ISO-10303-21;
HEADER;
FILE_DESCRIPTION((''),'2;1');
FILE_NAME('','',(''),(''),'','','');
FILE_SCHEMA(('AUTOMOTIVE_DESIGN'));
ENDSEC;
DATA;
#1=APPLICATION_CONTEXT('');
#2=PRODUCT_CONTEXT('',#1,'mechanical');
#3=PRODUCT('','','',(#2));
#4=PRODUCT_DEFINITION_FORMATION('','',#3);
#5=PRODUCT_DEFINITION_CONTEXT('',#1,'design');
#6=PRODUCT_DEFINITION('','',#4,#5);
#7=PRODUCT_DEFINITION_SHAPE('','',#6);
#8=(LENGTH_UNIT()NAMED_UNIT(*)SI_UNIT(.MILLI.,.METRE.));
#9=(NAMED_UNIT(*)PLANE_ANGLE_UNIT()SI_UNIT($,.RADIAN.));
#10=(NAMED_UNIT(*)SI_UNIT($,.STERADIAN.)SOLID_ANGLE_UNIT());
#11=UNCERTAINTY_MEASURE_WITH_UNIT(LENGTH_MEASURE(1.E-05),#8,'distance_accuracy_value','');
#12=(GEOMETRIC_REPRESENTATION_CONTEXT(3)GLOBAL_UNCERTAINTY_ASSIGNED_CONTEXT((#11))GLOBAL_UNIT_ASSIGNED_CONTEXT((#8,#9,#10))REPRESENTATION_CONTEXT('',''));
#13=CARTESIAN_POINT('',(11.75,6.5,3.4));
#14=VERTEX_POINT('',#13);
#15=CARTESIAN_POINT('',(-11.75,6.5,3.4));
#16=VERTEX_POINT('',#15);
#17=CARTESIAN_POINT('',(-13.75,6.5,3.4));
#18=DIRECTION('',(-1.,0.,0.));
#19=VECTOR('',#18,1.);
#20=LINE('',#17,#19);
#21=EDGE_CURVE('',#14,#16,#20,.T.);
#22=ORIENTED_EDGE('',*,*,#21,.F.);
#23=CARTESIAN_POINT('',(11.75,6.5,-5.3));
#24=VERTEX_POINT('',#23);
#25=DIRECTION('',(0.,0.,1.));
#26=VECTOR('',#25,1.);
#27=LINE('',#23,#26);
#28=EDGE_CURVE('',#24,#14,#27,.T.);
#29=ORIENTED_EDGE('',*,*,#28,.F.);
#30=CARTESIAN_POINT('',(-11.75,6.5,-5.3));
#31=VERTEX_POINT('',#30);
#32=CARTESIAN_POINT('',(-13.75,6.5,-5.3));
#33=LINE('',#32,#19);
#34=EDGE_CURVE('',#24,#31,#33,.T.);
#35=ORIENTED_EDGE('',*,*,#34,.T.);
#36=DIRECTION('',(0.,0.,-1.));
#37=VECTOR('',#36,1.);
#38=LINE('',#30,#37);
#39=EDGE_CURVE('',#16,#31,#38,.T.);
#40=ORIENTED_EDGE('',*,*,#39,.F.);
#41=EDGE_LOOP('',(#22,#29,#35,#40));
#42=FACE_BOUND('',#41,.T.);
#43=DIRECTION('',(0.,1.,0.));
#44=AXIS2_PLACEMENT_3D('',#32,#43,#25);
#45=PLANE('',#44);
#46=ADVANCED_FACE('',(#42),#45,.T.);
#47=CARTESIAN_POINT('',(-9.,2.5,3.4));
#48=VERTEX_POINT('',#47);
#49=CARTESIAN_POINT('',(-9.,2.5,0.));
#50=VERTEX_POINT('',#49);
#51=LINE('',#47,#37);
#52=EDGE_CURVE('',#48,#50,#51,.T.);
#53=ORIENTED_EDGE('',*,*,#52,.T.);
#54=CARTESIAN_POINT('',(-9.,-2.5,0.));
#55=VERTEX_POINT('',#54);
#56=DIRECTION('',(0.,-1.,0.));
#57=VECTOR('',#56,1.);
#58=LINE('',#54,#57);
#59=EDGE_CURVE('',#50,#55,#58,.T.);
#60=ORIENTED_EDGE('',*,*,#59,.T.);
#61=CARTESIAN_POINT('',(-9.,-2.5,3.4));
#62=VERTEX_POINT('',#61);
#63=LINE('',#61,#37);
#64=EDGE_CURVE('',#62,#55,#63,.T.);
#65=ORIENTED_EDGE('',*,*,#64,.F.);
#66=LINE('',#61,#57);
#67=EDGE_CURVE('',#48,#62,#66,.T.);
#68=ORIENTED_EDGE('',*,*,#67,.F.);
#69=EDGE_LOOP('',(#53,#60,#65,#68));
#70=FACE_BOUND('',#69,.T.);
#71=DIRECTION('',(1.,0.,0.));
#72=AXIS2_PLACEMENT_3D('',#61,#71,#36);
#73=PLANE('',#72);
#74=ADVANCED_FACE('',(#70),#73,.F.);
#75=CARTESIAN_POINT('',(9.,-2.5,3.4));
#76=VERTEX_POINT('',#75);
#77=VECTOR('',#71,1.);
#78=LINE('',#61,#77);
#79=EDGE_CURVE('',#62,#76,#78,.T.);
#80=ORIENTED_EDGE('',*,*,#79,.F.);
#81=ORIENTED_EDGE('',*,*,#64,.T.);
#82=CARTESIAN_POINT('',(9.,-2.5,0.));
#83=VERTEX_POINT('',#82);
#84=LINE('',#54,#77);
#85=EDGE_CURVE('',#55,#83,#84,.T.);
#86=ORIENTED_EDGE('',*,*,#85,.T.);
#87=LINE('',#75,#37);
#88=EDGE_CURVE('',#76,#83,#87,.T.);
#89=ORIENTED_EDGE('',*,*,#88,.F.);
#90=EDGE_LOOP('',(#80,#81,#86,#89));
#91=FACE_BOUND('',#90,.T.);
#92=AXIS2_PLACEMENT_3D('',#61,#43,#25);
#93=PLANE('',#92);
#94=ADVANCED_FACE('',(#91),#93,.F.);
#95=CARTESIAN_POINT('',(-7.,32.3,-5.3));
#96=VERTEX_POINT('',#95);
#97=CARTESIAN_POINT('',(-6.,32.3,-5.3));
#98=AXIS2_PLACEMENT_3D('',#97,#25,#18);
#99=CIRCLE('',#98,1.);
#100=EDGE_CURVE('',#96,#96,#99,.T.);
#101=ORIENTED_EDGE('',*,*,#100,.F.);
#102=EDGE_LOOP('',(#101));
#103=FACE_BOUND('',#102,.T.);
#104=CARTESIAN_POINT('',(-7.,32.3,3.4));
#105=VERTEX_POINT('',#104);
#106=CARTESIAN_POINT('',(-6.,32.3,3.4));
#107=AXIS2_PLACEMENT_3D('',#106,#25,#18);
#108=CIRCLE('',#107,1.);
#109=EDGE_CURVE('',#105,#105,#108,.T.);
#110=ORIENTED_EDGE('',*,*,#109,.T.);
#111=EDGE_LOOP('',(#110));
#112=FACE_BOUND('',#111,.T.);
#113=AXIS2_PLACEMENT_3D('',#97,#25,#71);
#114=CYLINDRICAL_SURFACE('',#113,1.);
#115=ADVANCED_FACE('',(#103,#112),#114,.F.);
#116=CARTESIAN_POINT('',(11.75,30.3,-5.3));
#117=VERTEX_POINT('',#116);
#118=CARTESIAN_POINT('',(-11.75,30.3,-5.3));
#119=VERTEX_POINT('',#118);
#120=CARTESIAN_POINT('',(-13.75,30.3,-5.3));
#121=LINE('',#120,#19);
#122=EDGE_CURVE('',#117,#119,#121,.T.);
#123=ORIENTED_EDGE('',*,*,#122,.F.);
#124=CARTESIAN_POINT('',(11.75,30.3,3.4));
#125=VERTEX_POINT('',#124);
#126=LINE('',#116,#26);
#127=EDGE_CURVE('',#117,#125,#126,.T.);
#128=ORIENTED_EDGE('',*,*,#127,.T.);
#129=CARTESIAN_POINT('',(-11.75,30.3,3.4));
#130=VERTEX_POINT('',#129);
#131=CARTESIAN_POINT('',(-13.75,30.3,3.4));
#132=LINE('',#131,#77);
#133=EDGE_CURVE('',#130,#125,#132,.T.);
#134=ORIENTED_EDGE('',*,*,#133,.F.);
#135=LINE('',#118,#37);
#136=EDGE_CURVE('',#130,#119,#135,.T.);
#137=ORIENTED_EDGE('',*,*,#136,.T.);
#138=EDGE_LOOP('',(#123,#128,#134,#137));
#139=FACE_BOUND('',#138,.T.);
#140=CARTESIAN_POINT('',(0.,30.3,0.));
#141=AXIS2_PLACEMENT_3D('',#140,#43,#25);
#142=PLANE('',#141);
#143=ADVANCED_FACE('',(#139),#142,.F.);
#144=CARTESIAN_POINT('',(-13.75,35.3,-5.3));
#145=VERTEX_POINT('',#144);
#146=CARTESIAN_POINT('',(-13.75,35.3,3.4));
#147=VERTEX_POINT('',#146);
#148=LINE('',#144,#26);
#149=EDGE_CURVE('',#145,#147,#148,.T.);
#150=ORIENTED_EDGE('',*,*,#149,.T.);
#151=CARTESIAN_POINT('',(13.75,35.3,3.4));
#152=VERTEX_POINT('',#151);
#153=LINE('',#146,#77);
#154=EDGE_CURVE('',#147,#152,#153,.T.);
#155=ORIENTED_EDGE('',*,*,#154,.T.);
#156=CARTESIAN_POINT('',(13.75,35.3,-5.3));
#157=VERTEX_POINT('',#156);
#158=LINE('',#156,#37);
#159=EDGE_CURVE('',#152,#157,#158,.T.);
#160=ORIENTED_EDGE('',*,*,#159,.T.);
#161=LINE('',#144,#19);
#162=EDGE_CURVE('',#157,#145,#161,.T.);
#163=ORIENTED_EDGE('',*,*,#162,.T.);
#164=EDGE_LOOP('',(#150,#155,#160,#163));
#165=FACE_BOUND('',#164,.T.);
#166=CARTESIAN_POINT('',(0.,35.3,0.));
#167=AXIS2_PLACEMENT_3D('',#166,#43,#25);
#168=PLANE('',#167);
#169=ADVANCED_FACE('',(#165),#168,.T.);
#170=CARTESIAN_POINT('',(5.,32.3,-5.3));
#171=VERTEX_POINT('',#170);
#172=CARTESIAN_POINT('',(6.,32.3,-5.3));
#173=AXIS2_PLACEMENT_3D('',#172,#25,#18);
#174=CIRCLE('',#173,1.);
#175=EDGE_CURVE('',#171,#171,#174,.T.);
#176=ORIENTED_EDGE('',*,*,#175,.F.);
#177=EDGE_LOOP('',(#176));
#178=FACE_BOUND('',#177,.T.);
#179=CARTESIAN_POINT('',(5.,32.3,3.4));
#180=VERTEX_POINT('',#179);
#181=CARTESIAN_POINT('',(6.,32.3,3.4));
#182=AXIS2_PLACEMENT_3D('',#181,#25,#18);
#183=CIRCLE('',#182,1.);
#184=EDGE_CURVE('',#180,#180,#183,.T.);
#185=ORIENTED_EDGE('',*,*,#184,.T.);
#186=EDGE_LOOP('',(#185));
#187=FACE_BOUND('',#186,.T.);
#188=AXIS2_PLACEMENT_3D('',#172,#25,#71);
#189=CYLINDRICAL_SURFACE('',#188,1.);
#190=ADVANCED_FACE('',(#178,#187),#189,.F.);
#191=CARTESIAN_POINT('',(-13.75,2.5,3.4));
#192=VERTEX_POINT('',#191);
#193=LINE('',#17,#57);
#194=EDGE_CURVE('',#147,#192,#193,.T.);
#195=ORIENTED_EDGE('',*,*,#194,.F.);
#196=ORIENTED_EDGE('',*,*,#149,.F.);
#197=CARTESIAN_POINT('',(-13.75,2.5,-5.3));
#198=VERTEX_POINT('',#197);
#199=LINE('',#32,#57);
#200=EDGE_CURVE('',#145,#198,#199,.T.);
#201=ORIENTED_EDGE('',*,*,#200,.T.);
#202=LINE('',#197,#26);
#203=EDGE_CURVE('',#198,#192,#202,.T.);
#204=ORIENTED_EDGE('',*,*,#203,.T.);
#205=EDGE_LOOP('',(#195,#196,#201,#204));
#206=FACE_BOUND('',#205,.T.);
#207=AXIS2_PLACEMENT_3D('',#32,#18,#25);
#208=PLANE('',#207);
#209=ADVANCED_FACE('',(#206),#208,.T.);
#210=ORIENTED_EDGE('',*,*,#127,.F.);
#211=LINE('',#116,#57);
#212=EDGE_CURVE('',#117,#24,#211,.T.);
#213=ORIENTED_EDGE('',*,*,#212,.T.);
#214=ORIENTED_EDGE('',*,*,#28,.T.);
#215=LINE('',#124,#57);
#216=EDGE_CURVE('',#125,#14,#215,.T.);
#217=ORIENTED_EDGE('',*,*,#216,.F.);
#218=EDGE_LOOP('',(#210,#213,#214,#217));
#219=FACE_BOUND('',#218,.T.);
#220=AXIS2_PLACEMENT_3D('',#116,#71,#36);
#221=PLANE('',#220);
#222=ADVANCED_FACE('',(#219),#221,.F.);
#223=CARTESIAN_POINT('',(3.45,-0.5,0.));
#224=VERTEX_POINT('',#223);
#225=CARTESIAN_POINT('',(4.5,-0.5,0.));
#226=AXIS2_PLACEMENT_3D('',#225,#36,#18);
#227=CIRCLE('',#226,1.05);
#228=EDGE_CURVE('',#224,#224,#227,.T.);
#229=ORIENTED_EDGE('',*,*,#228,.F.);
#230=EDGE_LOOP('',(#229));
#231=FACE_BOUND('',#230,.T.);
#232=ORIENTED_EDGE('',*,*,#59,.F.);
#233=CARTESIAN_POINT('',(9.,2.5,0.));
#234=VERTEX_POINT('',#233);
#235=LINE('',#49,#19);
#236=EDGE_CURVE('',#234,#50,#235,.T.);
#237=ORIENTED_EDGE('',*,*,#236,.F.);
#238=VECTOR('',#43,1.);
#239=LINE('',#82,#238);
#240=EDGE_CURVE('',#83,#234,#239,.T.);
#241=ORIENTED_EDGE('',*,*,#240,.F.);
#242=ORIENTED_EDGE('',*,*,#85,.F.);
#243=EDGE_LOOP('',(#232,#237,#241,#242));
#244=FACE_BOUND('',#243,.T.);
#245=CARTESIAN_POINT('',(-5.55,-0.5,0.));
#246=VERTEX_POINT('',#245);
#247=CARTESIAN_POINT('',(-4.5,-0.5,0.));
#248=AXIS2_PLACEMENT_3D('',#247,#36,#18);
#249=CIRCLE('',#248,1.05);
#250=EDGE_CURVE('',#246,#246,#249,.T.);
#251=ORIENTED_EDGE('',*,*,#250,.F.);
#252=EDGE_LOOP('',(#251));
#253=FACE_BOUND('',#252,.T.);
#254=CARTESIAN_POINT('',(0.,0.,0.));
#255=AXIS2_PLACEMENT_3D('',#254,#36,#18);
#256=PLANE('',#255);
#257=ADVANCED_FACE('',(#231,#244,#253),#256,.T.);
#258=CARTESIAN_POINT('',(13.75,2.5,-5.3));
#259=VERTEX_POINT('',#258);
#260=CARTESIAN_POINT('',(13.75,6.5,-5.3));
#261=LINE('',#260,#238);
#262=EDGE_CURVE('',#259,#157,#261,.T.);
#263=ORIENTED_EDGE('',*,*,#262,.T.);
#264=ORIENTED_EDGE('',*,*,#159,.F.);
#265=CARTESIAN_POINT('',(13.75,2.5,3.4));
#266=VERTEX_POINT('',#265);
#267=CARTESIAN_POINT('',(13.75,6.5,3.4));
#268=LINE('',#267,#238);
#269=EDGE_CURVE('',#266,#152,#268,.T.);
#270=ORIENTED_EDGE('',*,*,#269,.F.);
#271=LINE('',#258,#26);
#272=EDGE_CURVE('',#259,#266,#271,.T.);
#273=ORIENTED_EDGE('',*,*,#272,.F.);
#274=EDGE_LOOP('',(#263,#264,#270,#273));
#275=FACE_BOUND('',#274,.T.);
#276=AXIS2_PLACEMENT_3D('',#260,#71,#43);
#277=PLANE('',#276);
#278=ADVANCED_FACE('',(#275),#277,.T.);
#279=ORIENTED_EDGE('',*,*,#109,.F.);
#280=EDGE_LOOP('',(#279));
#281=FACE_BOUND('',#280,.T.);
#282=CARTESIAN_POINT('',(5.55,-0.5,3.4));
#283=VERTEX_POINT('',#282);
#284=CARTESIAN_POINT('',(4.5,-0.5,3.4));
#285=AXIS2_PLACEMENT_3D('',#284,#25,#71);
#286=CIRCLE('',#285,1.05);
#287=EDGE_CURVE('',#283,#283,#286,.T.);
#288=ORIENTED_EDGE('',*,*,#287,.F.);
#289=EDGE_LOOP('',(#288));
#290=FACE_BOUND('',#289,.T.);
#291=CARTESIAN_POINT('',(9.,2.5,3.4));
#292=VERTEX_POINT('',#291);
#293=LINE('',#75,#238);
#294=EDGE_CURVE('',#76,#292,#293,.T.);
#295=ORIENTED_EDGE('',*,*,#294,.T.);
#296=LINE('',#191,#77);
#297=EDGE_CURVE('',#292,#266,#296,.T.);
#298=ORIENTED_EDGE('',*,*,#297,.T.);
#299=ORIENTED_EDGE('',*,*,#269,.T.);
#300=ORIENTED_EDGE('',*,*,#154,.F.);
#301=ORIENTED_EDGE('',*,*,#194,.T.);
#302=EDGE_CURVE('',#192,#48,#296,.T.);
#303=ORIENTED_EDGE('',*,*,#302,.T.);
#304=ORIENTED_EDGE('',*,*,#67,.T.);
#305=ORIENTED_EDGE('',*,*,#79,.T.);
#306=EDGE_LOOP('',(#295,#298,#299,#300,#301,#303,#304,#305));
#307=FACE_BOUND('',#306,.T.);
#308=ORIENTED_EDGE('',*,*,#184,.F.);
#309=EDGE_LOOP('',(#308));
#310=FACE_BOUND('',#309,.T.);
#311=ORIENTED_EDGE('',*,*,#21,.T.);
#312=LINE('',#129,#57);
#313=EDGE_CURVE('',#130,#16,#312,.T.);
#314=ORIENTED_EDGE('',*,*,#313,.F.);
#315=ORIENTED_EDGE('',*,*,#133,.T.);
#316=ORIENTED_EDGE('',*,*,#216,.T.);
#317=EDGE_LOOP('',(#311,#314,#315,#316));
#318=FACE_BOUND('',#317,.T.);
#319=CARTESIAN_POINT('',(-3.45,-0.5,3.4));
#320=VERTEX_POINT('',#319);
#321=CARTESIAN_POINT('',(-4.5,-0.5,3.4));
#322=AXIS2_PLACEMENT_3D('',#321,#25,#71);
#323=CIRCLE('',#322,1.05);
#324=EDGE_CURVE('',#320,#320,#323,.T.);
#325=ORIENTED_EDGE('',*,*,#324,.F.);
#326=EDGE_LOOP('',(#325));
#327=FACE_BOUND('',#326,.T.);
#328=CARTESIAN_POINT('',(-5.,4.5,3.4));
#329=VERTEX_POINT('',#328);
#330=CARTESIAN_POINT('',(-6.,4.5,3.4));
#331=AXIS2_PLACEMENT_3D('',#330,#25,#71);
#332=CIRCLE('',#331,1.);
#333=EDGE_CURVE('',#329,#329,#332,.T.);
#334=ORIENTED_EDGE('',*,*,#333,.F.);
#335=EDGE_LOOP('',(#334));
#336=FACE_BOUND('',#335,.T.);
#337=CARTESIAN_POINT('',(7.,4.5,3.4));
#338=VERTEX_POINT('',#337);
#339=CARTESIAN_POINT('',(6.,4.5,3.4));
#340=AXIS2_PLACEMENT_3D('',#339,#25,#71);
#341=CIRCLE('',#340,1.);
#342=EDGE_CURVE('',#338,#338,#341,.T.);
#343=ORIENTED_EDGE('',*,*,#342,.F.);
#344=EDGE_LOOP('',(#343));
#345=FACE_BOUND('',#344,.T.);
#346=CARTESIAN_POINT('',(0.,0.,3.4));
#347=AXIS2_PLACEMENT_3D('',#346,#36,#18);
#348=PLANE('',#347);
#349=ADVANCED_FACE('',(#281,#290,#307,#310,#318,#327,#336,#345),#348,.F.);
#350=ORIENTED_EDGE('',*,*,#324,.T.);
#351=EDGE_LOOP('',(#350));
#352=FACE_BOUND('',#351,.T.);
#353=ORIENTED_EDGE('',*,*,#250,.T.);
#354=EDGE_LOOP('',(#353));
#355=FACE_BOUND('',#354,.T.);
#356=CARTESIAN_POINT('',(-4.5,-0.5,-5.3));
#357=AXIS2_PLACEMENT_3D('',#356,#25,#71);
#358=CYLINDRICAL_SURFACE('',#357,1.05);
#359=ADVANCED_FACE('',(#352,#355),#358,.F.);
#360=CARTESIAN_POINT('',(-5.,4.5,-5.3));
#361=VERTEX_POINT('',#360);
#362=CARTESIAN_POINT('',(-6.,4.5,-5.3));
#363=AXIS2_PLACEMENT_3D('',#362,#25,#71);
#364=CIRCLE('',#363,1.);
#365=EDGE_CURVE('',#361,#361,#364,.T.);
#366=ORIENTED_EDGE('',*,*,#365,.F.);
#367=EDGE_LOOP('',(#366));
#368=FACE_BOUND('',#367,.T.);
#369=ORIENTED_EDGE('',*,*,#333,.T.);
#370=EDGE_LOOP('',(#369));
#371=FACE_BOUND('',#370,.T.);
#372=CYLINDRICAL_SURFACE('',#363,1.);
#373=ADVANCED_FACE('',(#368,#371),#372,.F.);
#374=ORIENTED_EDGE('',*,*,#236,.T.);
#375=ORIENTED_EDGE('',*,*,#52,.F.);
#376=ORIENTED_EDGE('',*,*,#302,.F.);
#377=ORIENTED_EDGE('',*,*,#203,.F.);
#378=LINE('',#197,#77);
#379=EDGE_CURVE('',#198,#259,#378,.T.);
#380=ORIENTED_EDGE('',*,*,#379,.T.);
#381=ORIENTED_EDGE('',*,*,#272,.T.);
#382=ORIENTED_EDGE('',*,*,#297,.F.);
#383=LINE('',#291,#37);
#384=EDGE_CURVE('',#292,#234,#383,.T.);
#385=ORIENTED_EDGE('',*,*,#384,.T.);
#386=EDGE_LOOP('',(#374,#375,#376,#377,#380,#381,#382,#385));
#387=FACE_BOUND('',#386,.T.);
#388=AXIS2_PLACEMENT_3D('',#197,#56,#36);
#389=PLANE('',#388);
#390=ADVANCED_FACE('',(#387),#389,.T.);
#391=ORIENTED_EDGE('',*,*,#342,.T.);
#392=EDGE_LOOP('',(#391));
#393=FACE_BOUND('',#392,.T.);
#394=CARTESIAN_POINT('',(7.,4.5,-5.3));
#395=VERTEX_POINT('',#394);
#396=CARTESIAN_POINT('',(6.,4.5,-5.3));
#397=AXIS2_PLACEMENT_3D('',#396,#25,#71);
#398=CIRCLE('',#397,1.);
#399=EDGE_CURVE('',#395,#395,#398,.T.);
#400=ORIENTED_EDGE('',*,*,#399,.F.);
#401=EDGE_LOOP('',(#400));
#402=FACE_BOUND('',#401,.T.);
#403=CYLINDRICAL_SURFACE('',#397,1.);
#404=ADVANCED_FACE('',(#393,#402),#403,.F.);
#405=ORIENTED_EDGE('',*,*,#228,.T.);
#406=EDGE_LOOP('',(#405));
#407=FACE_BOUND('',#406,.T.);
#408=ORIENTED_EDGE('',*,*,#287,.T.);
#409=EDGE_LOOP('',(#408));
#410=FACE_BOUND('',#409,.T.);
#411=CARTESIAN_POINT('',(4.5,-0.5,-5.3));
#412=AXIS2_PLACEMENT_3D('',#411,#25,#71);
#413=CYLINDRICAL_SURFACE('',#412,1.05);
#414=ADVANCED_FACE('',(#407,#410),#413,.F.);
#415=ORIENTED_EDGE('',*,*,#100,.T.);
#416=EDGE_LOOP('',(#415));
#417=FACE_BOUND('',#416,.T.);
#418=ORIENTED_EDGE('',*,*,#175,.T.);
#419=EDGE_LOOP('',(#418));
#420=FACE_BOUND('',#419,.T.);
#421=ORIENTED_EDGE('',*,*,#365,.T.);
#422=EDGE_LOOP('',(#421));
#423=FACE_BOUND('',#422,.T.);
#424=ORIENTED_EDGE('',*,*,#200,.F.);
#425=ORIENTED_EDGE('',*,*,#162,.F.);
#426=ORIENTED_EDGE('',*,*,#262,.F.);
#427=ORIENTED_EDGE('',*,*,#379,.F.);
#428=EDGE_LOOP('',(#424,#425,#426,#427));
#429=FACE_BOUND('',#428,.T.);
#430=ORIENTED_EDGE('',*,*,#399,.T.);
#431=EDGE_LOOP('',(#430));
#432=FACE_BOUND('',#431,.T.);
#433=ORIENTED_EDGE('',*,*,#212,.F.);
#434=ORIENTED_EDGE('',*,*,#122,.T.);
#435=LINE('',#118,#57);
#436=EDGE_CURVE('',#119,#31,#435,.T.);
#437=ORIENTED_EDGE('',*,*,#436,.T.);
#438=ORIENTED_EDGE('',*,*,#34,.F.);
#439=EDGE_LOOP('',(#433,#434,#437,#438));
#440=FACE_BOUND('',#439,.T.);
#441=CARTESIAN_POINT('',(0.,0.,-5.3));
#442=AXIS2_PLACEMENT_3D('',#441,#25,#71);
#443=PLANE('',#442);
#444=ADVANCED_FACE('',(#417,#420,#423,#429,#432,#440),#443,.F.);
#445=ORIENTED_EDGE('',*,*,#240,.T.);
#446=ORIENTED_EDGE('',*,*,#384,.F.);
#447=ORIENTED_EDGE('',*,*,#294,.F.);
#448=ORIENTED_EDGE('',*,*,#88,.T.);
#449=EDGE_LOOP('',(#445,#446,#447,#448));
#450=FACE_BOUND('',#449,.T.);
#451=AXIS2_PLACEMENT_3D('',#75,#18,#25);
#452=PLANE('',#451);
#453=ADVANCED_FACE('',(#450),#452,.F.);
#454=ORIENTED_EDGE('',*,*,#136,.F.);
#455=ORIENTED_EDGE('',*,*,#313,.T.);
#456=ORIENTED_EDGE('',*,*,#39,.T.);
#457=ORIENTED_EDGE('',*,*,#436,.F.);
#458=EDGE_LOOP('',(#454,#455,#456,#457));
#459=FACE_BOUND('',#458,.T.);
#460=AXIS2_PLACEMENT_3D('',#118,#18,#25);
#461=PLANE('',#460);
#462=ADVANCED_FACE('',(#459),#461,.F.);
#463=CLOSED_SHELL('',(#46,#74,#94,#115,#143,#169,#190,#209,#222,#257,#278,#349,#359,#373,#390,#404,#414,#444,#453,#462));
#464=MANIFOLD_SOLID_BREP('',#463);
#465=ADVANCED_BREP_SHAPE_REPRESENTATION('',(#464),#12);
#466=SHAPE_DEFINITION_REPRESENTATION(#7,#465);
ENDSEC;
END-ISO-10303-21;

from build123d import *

# Parameters (mm, degrees)
SKETCH1_W           = 18
SKETCH1_H           = 5
BOSS_EXTRUDE1_DEPTH = 3.4
SKETCH2_W           = 27.5
SKETCH2_H           = 4
BOSS_EXTRUDE2_DEPTH = 8.7
SKETCH3_W           = 2
SKETCH3_H           = 8.7
BOSS_EXTRUDE3_DEPTH = 23.8
SKETCH4_W           = 27.5
SKETCH4_H           = 8.7
BOSS_EXTRUDE4_DEPTH = 5
SKETCH5_R           = 1.05
SKETCH5_R_2         = 1
CUT_EXTRUDE1_DEPTH  = 39.869557497


with BuildPart() as part:
    # Sketch1 → Boss-Extrude1 (new body)
    with BuildSketch(Plane.XY):
        Rectangle(SKETCH1_W, SKETCH1_H)
    extrude(amount=BOSS_EXTRUDE1_DEPTH)

    # Sketch2 → Boss-Extrude2 (add)
    with BuildSketch(Plane.XY.offset(3.4)):
        with Locations((0, 4.5)):
            Rectangle(SKETCH2_W, SKETCH2_H)
    extrude(amount=-BOSS_EXTRUDE2_DEPTH)

    # Sketch3 → Boss-Extrude3 (add)
    with BuildSketch(Plane(origin=(0, 6.5, 0), x_dir=(1, 0, 0), z_dir=(0, 1, 0))):
        with Locations((-12.75, 0.95)):
            Rectangle(SKETCH3_W, SKETCH3_H)
        with Locations((12.75, 0.95)):
            Rectangle(SKETCH3_W, SKETCH3_H)
    extrude(amount=BOSS_EXTRUDE3_DEPTH)

    # Sketch4 → Boss-Extrude4 (add)
    with BuildSketch(Plane(origin=(0, 30.3, 0), x_dir=(1, 0, 0), z_dir=(0, 1, 0))):
        with Locations((0, 0.95)):
            Rectangle(SKETCH4_W, SKETCH4_H)
    extrude(amount=BOSS_EXTRUDE4_DEPTH)

    # Sketch5 → Cut-Extrude1 (cut, through all)
    with BuildSketch(Plane.XY.offset(3.4)):
        with Locations((-4.5, -0.5)):
            Circle(SKETCH5_R)
        with Locations((4.5, -0.5)):
            Circle(SKETCH5_R)
        with Locations((-6, 4.5)):
            Circle(SKETCH5_R_2)
        with Locations((6, 4.5)):
            Circle(SKETCH5_R_2)
        with Locations(Location((6, 32.3, 0), (0, 0, 180))):
            Circle(SKETCH5_R_2)
        with Locations(Location((-6, 32.3, 0), (0, 0, 180))):
            Circle(SKETCH5_R_2)
    extrude(amount=-CUT_EXTRUDE1_DEPTH, mode=Mode.SUBTRACT)


solid = part.part
